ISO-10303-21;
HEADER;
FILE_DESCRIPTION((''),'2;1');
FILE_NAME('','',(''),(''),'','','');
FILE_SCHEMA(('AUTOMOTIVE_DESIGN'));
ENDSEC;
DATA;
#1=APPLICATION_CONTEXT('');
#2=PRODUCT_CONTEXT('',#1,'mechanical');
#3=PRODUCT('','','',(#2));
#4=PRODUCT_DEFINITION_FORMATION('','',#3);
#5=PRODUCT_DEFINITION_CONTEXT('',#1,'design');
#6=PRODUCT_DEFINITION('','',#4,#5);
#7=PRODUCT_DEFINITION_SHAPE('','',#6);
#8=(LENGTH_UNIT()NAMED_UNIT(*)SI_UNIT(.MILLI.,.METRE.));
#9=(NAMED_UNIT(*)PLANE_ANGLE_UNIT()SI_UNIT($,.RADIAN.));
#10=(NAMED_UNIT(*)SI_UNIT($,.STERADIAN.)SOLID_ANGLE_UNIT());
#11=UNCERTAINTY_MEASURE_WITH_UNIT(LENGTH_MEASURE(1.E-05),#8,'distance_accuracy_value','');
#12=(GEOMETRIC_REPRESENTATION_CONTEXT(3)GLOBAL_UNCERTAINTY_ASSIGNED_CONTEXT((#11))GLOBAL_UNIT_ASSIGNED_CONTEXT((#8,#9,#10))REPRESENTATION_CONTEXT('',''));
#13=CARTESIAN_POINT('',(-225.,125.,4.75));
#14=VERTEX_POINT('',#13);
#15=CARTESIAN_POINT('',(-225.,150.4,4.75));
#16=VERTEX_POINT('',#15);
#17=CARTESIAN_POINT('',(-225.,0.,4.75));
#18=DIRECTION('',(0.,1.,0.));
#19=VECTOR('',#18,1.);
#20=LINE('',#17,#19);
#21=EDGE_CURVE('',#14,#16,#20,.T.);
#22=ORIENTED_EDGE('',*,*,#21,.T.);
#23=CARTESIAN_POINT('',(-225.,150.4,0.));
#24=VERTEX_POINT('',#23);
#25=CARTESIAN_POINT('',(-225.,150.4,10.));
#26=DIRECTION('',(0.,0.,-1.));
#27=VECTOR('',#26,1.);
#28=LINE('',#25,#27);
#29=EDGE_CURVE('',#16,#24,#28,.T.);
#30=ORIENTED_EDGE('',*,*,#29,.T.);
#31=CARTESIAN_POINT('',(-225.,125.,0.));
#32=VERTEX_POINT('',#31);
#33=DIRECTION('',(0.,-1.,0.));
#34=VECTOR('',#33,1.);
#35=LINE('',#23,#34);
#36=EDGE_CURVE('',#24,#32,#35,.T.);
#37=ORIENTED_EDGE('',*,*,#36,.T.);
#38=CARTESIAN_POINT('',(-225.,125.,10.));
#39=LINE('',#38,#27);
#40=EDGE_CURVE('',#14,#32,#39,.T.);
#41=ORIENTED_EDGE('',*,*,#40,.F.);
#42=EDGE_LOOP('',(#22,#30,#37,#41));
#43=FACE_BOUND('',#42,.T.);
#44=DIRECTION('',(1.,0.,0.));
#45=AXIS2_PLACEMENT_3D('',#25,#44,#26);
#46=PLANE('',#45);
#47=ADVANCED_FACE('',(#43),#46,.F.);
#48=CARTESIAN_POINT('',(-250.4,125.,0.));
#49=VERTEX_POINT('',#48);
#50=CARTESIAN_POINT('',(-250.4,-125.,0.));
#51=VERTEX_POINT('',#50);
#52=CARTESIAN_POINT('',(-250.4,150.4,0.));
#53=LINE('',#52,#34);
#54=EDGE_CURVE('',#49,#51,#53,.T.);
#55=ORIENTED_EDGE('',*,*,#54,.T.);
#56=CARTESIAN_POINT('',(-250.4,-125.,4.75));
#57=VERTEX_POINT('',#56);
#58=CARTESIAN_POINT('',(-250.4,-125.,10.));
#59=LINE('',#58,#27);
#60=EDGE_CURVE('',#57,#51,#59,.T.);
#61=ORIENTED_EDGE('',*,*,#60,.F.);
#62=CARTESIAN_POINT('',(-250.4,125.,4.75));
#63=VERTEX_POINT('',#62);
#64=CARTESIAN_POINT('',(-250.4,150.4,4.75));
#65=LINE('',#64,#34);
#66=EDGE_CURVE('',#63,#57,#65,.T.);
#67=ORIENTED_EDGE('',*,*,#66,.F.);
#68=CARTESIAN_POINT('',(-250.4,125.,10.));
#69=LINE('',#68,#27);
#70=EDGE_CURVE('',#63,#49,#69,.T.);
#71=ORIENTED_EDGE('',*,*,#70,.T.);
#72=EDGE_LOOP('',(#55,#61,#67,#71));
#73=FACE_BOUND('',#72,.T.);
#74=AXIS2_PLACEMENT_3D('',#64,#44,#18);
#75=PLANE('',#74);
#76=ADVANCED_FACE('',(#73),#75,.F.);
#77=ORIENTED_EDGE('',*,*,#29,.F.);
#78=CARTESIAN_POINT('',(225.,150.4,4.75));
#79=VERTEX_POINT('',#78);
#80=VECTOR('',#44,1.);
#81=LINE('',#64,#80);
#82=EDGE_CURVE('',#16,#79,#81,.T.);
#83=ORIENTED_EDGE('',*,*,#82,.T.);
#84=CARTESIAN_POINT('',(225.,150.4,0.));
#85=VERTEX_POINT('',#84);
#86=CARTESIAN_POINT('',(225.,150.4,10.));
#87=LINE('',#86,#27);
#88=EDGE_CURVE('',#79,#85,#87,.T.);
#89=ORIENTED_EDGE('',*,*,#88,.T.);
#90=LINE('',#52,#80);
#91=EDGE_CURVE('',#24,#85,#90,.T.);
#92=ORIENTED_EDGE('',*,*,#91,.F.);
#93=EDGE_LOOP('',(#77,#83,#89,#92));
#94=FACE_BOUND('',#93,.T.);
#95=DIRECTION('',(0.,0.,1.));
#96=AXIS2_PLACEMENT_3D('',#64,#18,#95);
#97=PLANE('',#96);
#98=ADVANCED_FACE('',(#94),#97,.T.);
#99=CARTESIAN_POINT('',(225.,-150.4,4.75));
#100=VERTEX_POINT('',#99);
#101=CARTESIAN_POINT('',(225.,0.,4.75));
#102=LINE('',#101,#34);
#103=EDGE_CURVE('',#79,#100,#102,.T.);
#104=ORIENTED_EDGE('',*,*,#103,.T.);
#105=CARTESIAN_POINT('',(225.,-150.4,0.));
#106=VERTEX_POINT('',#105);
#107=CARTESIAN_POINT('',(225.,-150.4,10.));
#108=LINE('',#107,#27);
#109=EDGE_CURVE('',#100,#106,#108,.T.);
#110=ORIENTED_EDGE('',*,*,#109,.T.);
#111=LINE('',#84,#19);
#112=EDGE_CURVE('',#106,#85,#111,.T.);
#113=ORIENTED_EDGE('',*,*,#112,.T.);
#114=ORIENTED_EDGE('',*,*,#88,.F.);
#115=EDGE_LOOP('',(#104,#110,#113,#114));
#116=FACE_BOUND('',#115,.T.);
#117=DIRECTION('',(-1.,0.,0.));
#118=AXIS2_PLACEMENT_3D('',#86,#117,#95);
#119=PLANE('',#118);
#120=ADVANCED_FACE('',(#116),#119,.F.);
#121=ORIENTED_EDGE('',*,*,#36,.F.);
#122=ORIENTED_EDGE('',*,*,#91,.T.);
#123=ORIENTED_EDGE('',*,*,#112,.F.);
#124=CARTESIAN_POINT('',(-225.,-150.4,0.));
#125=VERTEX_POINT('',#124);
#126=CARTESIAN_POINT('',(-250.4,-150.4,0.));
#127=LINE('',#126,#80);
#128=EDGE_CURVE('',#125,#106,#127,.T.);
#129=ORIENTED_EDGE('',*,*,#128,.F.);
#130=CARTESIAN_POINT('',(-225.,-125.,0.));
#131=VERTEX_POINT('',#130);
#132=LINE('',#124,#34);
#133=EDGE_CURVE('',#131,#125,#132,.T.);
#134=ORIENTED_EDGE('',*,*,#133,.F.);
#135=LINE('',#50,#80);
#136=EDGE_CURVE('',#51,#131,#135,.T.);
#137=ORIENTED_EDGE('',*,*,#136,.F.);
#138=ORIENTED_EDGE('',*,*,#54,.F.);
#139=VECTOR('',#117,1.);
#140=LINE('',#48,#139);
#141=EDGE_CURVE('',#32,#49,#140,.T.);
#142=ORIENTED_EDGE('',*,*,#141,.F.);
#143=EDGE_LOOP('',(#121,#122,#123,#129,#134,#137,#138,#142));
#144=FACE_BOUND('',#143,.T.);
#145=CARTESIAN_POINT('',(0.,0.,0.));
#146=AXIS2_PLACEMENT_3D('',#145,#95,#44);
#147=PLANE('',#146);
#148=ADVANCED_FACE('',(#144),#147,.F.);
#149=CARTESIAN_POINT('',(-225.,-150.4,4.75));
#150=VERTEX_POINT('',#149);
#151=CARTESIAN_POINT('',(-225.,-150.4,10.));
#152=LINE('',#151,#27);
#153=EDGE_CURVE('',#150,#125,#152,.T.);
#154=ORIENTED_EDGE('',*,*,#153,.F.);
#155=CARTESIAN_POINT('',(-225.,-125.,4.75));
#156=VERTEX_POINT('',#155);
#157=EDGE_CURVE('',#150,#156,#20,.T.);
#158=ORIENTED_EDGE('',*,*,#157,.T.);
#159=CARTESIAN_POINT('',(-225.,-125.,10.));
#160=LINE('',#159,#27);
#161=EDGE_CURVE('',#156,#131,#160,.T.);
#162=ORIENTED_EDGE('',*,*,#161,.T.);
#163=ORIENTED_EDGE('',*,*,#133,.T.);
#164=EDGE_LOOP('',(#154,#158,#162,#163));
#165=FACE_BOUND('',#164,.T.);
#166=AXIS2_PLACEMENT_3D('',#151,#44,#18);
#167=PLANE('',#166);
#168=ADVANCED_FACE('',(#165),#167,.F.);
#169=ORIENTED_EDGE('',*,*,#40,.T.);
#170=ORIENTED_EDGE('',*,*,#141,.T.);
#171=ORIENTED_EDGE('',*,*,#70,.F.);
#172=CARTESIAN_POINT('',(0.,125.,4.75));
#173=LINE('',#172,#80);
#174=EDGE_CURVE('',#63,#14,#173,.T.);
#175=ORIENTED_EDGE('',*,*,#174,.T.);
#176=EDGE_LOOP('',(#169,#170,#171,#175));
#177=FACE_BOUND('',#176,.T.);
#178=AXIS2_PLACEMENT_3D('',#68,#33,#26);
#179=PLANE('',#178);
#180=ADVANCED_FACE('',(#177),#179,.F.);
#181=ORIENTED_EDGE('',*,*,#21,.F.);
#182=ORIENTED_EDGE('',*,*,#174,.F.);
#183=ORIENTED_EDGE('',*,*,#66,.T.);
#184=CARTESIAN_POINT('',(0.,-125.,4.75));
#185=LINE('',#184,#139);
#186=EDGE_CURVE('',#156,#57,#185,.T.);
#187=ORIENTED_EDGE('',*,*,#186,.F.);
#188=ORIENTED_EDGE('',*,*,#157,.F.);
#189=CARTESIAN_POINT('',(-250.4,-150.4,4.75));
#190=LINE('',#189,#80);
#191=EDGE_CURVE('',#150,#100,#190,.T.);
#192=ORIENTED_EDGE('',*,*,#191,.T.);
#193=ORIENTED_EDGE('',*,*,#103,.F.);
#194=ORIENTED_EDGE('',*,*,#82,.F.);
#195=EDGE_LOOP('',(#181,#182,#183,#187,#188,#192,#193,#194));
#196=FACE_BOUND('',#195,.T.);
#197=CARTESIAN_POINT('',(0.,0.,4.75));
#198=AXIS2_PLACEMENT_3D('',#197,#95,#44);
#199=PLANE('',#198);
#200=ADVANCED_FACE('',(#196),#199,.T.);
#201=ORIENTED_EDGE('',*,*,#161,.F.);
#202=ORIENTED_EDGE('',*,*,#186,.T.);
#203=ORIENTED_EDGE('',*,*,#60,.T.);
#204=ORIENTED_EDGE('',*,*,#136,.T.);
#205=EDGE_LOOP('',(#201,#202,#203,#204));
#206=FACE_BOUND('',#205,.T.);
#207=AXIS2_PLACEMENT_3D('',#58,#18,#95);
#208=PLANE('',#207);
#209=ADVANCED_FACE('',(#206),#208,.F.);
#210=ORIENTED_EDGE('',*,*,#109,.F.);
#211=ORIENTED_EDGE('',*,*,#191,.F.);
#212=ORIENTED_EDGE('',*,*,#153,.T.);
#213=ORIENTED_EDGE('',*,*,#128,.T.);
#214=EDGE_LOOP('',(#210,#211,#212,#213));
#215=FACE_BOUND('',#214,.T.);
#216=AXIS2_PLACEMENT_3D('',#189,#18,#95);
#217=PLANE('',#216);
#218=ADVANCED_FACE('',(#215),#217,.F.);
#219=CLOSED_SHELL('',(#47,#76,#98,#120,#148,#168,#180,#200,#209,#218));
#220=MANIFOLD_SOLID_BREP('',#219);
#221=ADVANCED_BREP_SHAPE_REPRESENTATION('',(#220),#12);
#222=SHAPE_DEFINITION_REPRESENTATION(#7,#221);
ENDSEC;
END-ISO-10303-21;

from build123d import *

# Parameters (mm, degrees)
SKETCH_1_W          = 500.8
SKETCH_1_H          = 300.8
EXTRUDE_1_DEPTH     = 4.75
SKETCH_2_W          = 25.4
SKETCH_2_H          = 25.4
CUT_EXTRUDE_1_DEPTH = 10


with BuildPart() as part:
    # 草圖1 → 填料-伸長1 (new body)
    with BuildSketch(Plane.XY):
        Rectangle(SKETCH_1_W, SKETCH_1_H)
    extrude(amount=EXTRUDE_1_DEPTH)

    # 草圖2 → 除料-伸長1 (cut)
    with BuildSketch(Plane(origin=(0, 0, 0), x_dir=(-1, 0, 0), z_dir=(0, 0, -1))):
        Polygon((-250.4, 150.4), (-225, 150.4), (-225, 125), (-225, -125), (-225, -150.4), (-250.4, -150.4), (-250.4, -125), (-250.4, 125), align=None)
        with Locations((237.7, 137.7)):
            Rectangle(SKETCH_2_W, SKETCH_2_H)
        with Locations((237.7, -137.7)):
            Rectangle(SKETCH_2_W, SKETCH_2_H)
    extrude(amount=-CUT_EXTRUDE_1_DEPTH, mode=Mode.SUBTRACT)


solid = part.part
